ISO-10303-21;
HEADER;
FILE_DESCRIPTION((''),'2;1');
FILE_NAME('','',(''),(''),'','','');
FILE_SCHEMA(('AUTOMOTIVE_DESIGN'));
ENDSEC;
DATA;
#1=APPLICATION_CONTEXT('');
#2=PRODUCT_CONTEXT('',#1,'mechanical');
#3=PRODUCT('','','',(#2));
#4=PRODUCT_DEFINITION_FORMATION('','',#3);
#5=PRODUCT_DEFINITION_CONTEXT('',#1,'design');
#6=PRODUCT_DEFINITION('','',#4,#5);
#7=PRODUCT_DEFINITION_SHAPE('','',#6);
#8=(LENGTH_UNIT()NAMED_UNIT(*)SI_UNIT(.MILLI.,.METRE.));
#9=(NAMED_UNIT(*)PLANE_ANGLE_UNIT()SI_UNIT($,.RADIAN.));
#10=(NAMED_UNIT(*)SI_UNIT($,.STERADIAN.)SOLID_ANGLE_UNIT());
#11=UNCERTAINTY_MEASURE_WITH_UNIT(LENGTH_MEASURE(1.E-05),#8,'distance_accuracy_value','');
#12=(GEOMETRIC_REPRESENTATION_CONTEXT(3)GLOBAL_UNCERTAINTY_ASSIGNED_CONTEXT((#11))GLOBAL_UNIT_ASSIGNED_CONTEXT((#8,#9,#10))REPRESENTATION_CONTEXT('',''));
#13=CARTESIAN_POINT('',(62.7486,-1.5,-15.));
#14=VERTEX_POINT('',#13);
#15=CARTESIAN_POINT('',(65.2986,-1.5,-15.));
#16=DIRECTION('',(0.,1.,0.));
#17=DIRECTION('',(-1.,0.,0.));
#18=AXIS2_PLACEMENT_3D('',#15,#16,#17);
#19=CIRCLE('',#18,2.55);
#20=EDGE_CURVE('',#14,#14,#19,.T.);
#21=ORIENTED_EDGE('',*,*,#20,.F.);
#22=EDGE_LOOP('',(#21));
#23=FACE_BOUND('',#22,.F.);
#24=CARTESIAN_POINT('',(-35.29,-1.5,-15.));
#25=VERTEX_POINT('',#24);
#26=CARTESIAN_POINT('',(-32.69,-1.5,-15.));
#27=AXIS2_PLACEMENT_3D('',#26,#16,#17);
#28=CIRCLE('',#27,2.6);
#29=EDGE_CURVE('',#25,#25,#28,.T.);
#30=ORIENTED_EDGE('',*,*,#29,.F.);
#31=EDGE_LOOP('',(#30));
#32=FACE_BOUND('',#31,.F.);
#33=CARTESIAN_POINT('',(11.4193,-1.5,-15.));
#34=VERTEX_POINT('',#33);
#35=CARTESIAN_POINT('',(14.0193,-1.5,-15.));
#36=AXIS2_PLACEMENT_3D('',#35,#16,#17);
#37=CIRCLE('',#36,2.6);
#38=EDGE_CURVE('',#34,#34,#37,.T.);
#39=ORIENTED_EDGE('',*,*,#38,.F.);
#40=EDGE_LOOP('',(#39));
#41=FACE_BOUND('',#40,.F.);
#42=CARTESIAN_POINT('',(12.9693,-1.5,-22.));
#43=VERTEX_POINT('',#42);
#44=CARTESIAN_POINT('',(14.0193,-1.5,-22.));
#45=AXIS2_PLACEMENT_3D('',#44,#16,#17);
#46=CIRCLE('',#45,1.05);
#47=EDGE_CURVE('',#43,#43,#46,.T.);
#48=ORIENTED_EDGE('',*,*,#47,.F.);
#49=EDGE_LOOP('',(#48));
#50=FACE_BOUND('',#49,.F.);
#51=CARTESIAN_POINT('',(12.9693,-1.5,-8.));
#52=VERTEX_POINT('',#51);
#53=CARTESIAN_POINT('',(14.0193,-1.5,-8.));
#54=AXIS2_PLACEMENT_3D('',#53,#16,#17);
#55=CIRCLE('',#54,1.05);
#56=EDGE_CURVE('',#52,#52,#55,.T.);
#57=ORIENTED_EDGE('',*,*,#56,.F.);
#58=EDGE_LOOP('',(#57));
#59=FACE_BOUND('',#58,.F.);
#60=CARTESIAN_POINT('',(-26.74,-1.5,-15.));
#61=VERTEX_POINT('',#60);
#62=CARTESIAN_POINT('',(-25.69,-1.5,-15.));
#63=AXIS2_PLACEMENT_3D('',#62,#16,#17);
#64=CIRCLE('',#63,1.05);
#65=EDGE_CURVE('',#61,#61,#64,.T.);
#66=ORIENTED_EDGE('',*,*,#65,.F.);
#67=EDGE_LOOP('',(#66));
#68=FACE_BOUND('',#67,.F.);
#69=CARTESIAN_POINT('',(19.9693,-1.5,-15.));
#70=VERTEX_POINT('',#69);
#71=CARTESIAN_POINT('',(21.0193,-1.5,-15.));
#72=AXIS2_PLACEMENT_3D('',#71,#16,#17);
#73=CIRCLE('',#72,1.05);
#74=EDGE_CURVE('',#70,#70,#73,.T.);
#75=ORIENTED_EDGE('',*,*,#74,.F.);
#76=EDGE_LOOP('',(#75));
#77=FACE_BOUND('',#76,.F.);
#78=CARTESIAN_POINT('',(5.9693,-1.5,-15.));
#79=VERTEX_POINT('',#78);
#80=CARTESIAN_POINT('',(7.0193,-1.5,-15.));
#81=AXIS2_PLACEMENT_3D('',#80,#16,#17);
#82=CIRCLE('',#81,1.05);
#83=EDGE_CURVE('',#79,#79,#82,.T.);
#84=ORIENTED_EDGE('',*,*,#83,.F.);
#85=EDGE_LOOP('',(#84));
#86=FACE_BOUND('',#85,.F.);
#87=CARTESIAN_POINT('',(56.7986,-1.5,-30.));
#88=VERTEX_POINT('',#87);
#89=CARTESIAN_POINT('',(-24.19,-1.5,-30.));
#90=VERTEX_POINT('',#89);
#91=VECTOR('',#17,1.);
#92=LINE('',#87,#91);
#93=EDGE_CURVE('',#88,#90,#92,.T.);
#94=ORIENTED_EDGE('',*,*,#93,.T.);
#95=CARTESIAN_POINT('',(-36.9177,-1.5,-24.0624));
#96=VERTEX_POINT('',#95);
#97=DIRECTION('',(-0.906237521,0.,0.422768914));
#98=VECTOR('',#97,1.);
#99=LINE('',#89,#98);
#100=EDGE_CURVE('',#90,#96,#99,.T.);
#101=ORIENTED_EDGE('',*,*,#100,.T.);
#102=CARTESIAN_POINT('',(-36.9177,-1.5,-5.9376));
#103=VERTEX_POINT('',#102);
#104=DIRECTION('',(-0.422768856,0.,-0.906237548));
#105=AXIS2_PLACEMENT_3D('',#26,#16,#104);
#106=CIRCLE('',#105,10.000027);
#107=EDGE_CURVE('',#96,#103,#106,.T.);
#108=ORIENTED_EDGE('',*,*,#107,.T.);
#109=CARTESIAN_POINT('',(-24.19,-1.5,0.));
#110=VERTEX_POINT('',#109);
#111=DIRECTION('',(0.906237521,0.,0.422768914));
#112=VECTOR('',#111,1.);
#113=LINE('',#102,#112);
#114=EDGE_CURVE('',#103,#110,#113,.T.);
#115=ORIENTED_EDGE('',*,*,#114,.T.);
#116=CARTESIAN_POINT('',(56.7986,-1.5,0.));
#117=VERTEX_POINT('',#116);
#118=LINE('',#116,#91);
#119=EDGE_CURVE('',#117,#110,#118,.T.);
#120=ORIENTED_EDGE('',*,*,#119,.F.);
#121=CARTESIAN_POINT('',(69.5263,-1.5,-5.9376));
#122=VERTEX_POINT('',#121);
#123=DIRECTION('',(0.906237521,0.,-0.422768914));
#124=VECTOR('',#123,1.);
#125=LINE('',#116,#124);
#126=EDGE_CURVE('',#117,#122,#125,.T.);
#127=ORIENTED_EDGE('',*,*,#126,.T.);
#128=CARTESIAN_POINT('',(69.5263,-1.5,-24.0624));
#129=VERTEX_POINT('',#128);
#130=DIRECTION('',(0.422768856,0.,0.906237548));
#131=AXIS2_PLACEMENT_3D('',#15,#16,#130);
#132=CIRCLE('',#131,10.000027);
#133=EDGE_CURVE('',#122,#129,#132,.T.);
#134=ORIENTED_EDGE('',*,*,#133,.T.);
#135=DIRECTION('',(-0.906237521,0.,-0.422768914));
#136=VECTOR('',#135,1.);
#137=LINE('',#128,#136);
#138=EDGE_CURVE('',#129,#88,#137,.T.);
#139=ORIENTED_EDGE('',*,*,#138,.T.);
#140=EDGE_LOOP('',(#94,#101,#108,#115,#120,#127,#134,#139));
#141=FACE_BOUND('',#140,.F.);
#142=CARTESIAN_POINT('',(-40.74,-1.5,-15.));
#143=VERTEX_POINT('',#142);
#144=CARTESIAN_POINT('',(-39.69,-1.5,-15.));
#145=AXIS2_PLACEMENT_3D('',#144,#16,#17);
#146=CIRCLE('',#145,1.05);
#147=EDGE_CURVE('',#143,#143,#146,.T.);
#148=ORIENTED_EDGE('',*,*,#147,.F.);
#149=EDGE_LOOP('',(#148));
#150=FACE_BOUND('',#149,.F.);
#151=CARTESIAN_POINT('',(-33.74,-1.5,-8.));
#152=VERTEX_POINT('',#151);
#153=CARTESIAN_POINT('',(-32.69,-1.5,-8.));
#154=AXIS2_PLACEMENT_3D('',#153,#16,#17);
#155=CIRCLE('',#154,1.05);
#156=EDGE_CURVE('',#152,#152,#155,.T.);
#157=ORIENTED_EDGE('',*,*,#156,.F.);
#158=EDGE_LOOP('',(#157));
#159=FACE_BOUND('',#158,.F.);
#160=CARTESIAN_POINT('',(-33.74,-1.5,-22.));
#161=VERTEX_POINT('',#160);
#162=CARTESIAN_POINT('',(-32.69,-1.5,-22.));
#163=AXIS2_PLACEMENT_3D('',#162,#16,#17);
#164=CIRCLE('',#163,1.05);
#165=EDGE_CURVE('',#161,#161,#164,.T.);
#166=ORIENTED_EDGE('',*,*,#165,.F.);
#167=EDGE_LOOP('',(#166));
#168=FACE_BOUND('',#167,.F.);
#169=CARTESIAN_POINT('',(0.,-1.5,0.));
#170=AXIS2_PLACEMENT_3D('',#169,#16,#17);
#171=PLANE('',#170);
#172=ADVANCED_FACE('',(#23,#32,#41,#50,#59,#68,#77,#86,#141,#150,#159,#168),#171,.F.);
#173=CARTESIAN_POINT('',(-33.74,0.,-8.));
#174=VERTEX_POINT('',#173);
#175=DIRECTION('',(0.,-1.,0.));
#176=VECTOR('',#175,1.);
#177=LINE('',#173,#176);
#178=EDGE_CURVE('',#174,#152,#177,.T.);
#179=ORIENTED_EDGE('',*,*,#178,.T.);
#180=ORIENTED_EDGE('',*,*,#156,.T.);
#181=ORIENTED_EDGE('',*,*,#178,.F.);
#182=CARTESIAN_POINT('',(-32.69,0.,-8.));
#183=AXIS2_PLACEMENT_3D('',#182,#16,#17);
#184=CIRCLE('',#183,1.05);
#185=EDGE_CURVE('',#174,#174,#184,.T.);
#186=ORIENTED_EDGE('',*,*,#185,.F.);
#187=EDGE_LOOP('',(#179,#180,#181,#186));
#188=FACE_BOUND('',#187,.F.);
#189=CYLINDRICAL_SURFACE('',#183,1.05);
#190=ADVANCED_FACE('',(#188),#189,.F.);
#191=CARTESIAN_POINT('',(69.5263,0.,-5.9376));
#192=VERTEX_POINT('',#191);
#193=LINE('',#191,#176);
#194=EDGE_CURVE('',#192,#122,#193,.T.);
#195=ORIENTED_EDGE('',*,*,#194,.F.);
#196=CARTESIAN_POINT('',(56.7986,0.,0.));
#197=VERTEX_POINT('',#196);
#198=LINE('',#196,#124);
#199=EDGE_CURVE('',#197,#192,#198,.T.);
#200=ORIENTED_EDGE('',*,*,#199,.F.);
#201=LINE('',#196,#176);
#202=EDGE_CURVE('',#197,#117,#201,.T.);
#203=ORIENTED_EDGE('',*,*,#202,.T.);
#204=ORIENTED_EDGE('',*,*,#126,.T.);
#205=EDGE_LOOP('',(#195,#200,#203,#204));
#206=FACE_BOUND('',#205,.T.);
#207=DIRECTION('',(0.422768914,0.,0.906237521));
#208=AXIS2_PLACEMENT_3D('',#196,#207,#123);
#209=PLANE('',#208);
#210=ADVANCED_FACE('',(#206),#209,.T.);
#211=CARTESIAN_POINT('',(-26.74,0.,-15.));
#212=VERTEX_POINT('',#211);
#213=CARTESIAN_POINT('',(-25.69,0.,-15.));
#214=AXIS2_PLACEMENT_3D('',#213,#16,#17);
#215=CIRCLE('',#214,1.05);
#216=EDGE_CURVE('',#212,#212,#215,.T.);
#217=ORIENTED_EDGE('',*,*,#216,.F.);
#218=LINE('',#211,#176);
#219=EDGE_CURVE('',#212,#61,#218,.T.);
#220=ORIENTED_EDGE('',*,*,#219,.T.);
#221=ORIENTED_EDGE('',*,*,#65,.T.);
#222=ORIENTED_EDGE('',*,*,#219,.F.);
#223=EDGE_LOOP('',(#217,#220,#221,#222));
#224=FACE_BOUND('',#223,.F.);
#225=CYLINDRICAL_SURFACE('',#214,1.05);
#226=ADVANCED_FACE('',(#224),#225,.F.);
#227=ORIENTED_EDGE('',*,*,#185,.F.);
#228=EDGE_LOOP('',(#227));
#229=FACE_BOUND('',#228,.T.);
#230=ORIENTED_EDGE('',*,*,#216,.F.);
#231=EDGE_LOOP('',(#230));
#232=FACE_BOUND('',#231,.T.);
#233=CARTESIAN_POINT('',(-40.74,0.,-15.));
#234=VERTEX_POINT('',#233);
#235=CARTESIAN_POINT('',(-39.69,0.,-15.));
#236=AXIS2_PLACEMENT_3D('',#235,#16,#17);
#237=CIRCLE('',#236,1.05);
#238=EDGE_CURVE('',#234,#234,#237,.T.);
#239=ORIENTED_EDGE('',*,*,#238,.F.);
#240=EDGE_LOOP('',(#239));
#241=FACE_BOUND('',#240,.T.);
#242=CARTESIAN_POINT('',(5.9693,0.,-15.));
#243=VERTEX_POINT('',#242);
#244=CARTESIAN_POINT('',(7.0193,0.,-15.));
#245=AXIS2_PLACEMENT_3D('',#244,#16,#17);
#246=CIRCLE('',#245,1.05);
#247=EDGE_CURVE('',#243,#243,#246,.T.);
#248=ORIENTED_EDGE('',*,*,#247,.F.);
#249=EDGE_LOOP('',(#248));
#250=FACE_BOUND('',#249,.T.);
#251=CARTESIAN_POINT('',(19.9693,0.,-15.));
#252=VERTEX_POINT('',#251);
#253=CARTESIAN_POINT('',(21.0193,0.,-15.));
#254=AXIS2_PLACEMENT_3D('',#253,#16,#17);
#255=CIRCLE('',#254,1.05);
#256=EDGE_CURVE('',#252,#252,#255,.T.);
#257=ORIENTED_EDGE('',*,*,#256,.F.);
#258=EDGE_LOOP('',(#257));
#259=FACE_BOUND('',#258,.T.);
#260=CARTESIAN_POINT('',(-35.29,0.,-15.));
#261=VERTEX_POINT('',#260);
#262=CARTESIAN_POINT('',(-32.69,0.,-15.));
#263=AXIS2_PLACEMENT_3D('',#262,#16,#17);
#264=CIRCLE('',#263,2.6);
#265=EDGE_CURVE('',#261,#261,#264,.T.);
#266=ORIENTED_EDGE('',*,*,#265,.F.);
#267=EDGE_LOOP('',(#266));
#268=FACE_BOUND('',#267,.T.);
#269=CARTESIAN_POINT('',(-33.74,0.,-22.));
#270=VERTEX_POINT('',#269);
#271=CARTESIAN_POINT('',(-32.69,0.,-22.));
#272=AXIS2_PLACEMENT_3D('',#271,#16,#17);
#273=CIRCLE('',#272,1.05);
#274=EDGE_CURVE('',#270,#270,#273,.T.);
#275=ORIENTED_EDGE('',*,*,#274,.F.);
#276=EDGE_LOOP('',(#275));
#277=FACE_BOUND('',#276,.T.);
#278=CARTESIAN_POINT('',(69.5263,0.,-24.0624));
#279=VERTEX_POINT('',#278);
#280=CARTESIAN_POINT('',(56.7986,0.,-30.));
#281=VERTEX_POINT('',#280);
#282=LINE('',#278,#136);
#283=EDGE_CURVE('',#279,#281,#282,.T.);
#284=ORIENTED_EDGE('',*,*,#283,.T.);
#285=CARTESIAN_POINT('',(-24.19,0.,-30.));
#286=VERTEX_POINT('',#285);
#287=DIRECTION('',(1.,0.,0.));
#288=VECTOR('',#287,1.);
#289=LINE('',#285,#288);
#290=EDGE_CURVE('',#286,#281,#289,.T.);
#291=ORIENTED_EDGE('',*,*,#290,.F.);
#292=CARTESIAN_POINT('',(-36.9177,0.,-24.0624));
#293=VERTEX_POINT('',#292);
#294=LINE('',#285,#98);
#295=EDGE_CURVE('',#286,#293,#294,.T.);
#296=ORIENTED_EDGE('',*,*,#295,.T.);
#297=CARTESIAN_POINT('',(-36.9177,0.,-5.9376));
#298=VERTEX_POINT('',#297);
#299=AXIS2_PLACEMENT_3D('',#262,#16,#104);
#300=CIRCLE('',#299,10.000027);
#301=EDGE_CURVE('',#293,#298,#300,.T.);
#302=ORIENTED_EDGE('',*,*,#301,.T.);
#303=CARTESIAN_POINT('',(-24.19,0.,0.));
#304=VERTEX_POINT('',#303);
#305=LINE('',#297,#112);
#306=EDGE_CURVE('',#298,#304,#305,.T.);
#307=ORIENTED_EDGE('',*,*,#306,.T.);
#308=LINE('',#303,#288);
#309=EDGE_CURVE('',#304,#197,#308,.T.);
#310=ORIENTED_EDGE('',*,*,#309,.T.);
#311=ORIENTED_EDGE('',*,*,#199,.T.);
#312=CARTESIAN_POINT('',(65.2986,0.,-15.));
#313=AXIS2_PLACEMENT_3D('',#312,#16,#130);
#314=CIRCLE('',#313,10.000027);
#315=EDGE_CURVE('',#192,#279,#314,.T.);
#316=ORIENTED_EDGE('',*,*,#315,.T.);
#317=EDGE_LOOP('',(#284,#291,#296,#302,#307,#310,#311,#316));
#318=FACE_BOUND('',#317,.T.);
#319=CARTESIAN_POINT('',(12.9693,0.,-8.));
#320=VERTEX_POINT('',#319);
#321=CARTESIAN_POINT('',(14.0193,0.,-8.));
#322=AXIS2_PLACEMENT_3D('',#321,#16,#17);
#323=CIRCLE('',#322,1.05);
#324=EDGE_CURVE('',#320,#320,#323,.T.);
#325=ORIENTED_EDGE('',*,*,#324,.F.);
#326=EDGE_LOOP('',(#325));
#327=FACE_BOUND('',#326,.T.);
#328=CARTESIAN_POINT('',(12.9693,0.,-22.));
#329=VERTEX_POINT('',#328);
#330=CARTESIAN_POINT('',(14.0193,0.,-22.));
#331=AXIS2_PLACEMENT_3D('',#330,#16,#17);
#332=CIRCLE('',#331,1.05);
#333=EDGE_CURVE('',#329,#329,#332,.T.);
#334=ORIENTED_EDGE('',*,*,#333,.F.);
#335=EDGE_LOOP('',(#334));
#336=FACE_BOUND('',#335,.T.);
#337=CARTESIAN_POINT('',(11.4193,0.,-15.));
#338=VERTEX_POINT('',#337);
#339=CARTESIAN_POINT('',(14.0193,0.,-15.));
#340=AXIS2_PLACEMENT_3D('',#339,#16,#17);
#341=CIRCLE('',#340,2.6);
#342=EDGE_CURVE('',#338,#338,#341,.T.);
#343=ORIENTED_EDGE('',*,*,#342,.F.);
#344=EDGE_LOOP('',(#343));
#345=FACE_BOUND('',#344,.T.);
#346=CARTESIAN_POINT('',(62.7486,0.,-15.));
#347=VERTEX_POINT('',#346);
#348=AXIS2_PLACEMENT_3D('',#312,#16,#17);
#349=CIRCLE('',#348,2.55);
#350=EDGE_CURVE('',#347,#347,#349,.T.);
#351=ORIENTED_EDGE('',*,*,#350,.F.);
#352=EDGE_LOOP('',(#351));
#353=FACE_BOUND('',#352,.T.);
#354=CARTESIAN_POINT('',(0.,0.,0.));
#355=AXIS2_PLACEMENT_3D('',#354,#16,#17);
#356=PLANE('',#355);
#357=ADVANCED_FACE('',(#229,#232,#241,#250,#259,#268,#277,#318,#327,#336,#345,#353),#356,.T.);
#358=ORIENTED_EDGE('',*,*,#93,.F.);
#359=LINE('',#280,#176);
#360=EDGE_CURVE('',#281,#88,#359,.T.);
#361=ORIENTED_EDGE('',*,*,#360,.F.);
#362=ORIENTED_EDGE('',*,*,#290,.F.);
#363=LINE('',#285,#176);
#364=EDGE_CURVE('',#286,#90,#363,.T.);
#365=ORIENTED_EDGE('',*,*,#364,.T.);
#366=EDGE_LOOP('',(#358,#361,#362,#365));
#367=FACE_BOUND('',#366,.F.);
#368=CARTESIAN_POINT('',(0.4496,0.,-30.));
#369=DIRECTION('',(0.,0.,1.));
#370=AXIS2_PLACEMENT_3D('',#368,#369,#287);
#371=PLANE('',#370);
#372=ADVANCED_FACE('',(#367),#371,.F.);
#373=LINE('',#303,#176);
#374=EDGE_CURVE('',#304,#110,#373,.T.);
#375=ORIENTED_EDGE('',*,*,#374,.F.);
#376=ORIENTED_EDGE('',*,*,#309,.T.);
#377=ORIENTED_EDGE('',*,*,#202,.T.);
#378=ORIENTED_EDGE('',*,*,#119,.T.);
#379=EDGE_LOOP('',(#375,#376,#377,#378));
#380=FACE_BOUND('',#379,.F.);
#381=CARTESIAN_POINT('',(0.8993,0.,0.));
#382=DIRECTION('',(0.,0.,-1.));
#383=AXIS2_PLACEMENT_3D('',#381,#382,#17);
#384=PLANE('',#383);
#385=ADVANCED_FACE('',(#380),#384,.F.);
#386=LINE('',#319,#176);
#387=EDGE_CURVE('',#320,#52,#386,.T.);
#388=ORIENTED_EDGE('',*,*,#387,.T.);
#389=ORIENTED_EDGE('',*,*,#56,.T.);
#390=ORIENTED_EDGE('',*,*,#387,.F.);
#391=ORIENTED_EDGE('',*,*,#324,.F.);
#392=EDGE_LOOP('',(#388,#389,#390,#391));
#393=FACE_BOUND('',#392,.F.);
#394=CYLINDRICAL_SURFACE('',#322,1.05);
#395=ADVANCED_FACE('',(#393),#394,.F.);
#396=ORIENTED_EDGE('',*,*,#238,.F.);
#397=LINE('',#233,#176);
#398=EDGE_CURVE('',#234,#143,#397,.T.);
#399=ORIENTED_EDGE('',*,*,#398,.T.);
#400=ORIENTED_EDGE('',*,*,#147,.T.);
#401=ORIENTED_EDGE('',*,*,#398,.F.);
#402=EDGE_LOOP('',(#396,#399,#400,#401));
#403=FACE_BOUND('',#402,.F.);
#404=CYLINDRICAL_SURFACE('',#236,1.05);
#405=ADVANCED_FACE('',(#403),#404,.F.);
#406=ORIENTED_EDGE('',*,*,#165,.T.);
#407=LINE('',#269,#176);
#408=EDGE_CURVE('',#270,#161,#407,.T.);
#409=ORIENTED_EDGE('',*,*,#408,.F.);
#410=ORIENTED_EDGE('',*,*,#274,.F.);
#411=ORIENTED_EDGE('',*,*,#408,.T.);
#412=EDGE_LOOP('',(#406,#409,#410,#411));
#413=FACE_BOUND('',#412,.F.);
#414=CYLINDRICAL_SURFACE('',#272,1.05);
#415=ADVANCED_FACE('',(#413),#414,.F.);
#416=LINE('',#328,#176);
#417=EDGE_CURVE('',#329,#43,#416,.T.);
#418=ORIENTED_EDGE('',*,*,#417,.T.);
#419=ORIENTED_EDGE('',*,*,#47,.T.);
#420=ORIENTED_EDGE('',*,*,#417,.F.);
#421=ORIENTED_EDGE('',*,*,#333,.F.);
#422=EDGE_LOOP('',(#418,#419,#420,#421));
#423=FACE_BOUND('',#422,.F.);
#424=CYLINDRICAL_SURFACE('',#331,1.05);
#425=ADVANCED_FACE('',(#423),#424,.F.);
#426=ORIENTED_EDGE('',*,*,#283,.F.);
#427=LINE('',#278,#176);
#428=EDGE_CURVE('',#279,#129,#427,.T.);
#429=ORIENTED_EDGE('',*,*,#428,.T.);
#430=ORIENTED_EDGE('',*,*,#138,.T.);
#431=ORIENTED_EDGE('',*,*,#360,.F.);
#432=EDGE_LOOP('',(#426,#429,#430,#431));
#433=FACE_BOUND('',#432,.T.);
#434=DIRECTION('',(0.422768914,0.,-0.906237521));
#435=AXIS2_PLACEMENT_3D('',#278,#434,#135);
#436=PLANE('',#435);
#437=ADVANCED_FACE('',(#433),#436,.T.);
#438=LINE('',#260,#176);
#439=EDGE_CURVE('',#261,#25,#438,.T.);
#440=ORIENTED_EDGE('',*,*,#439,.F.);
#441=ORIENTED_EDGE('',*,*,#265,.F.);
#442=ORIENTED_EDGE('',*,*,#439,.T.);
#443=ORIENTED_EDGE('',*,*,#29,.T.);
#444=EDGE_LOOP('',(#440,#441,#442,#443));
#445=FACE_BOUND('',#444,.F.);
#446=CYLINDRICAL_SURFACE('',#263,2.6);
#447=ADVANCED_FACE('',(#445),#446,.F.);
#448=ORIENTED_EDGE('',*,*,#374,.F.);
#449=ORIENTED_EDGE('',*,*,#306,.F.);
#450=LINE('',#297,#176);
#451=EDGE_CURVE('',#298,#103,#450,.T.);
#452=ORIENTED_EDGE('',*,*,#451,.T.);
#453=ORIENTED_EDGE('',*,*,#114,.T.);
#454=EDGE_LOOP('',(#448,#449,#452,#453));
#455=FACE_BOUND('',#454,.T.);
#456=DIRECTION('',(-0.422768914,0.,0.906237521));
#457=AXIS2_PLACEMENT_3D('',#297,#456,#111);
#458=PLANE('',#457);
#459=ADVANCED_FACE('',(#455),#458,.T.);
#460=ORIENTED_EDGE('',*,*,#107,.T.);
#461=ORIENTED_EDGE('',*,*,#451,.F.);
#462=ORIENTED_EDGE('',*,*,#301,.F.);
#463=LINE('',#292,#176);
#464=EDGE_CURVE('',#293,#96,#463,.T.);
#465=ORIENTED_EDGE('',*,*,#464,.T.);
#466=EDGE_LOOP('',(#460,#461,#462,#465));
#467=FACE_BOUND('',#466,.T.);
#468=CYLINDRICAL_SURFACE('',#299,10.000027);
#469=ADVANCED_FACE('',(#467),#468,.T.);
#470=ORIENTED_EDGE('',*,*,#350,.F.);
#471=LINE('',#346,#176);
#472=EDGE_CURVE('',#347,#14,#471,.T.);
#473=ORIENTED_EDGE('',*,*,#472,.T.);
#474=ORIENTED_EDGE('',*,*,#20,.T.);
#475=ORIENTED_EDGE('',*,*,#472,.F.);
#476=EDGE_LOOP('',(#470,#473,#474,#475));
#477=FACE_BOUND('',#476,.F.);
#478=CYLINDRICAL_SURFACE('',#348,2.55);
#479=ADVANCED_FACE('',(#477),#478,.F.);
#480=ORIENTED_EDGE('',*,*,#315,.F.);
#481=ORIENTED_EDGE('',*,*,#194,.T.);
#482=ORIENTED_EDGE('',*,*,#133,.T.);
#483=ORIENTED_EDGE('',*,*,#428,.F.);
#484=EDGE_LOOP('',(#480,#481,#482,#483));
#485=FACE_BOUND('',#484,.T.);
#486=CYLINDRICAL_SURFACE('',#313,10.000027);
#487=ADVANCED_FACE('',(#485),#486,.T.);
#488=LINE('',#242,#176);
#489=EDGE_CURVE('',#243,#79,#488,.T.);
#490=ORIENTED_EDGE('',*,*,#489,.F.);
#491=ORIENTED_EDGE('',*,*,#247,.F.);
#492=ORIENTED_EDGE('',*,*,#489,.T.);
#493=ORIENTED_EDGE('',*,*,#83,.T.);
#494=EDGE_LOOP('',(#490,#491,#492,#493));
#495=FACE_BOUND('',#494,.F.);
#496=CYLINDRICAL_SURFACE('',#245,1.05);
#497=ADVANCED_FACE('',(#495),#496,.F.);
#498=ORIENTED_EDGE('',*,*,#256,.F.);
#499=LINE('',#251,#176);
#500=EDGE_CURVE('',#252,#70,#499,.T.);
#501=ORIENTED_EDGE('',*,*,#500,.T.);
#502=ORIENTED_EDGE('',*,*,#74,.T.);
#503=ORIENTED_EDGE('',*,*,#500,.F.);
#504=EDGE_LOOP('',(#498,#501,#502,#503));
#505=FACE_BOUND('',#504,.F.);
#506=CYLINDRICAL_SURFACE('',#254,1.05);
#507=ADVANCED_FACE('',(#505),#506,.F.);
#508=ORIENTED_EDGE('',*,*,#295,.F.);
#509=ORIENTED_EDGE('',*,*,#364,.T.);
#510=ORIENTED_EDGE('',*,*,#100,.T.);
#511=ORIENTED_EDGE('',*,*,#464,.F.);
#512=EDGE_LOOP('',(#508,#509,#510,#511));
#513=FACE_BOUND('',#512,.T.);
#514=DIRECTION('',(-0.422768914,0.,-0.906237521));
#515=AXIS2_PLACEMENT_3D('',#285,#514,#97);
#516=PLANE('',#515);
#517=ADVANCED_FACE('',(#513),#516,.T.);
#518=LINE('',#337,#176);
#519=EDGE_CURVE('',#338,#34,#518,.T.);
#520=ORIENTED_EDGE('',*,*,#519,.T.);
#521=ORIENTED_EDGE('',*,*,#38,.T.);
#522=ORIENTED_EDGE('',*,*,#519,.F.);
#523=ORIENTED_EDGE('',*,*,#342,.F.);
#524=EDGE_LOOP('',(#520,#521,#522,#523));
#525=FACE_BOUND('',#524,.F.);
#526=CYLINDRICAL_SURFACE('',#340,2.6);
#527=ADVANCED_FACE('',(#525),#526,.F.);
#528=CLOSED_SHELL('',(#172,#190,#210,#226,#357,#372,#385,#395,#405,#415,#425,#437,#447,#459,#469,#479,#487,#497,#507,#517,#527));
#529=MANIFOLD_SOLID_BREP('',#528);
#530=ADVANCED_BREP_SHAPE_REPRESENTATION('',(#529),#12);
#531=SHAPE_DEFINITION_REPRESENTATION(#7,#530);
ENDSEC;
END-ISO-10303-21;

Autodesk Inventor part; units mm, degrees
ref_plane "YZ Plane" through (0, 0, 0) normal (1, 0, 0) x (0, 1, 0)
ref_plane "XZ Plane" through (0, 0, 0) normal (0, 1, 0) x (-1, 0, 0)
ref_plane "XY Plane" through (0, 0, 0) normal (0, 0, 1) x (1, 0, 0)
sketch "Sketch1" plane through (0, 0, 0) normal (0, 1, 0) x (-1, 0, 0)
  line L0 (-0.4496, -30) -> (-0.4496, 0)
  line L1 (-32.1589, 0) -> (-32.1589, -30)
  circle A0 centre (-65.2986, -15) radius 2.55
  circle A1 centre (32.69, -15) radius 2.6
  circle A2 centre (-7.0193, -15) radius 1.05
  circle A3 centre (-14.0193, -8) radius 1.05
  circle A4 centre (-14.0193, -22) radius 1.05
  circle A5 centre (-21.0193, -15) radius 1.05
  circle A6 centre (-14.0193, -15) radius 2.6
  circle A7 centre (25.69, -15) radius 1.05
  circle A8 centre (32.69, -8) radius 1.05
  circle A9 centre (32.69, -22) radius 1.05
  circle A10 centre (39.69, -15) radius 1.05
  line L2 (36.9177, -5.9376) -> (24.19, 0)
  line L3 (-56.7986, 0) -> (-69.5263, -5.9376)
  arc A11 (36.9177, -24.0624) -> (36.9177, -5.9376) centre (32.69, -15) ccw
  line L4 (24.19, -30) -> (36.9177, -24.0624)
  line L5 (-69.5263, -24.0624) -> (-56.7986, -30)
  arc A12 (-69.5263, -5.9376) -> (-69.5263, -24.0624) centre (-65.2986, -15) ccw
  line L6 (-56.7986, 0) -> (24.19, 0)
  line L7 (24.19, -30) -> (-56.7986, -30)
  line L8 (-32.6086, -30) -> (-32.6086, 0)
  line L9 (-31.7093, 0) -> (-31.7093, -30)
  line L10 (-0.8993, -30) -> (-0.8993, 0)
  line L11 (0, 0) -> (0, -30)
  point P0 (0, 0)
extrude "Extrusion1" add sketch "Sketch1" against normal blind 1.5
properties part number "CAM_axis_1_top_frame"
